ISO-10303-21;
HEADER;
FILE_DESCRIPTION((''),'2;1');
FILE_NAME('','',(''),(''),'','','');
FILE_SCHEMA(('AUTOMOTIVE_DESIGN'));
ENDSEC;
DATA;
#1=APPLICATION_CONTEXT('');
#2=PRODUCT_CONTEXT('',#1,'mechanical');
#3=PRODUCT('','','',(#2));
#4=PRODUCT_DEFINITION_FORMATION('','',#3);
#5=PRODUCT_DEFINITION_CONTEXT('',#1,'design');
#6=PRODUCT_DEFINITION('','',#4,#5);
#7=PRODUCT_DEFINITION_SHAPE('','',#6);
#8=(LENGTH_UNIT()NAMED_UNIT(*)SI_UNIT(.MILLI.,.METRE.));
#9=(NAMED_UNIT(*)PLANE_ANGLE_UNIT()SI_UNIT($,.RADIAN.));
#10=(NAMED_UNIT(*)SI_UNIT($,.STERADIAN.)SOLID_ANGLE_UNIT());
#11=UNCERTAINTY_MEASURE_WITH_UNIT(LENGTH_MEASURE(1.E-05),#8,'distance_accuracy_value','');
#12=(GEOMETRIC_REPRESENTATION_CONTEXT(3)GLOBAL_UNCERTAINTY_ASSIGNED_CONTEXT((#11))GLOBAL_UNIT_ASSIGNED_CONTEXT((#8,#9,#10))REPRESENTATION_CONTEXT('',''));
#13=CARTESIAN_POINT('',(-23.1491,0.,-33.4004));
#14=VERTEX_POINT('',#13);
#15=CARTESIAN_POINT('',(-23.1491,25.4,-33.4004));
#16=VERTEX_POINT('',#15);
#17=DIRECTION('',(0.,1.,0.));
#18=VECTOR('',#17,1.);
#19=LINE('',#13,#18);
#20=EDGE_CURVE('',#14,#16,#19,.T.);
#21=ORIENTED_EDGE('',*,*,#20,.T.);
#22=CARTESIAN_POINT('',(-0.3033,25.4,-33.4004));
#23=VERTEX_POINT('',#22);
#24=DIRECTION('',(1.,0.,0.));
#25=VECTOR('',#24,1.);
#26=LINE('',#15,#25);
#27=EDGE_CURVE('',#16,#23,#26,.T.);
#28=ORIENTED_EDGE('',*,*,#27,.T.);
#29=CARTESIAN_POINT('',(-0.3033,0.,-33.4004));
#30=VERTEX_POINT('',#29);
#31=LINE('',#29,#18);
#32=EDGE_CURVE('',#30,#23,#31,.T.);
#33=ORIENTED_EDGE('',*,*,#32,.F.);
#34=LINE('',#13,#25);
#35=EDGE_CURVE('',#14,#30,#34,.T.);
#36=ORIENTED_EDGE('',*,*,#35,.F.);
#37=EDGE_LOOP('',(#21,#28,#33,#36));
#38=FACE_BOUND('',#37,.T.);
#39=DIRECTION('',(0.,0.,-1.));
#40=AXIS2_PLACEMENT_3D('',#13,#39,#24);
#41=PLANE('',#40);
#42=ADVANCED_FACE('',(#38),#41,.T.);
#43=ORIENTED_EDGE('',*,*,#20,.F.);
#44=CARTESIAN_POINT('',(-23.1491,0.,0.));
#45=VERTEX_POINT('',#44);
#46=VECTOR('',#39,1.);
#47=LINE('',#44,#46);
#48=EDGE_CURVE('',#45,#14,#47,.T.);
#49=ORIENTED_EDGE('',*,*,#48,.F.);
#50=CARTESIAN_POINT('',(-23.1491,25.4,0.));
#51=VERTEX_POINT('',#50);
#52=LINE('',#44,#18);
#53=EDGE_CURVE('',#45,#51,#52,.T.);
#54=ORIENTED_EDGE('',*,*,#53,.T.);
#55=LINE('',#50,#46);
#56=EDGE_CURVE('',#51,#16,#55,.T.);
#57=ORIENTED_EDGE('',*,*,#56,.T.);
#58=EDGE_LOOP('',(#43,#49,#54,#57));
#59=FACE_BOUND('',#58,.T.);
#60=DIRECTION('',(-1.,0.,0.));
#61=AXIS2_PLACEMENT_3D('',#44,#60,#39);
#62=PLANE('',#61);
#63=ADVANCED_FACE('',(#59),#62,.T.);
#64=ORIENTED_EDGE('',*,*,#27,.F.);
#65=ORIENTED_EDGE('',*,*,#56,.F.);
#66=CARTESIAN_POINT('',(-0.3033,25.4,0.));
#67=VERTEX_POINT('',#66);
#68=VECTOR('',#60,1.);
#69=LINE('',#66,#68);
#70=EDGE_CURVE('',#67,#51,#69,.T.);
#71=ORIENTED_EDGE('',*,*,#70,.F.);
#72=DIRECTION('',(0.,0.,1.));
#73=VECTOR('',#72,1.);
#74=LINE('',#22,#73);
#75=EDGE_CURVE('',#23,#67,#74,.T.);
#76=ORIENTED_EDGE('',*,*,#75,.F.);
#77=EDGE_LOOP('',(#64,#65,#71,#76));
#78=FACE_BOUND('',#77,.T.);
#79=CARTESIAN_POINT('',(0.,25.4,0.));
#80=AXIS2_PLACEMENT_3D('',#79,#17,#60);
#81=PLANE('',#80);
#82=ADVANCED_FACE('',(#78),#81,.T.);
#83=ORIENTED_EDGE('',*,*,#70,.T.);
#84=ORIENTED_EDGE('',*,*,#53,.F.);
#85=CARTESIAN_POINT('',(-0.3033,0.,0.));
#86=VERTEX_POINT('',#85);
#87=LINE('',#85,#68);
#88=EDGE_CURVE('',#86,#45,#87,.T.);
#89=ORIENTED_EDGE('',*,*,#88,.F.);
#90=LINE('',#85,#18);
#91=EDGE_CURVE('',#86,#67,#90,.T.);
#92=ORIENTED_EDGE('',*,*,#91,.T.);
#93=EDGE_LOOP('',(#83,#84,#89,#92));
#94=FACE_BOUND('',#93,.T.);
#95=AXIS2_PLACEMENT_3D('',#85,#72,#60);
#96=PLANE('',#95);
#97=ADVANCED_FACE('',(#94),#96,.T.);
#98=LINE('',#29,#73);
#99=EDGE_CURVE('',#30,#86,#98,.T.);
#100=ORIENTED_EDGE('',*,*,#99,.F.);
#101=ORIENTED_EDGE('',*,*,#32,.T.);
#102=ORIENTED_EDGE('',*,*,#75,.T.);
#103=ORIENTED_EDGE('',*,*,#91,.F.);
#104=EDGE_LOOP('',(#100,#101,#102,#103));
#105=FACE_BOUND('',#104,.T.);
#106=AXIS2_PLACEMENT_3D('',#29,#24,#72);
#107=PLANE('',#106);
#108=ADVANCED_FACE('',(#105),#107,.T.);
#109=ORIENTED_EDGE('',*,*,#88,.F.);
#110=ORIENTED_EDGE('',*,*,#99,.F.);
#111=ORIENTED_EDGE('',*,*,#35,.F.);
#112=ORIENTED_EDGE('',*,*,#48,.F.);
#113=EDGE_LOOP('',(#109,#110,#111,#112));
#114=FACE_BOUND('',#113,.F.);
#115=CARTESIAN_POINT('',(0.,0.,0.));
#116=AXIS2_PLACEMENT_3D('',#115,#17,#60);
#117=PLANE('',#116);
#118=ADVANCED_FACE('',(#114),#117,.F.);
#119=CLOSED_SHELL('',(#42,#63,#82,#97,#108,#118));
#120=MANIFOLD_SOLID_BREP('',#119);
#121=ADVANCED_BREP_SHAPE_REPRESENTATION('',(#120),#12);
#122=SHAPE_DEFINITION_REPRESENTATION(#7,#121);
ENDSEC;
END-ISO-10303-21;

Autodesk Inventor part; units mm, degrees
ref_plane "YZ Plane" through (0, 0, 0) normal (1, 0, 0) x (0, 1, 0)
ref_plane "XZ Plane" through (0, 0, 0) normal (0, 1, 0) x (-1, 0, 0)
ref_plane "XY Plane" through (0, 0, 0) normal (0, 0, 1) x (1, 0, 0)
sketch "Sketch1" plane through (0, 0, 0) normal (0, 1, 0) x (-1, 0, 0)
  line L0 (0.3033, 0) -> (23.1491, 0)
  line L1 (23.1491, 0) -> (23.1491, -33.4004)
  line L2 (23.1491, -33.4004) -> (0.3033, -33.4004)
  line L3 (0.3033, -33.4004) -> (0.3033, 0)
  point P0 (0, 0)
extrude "Extrusion1" add sketch "Sketch1" along normal blind 25.4
properties part number "Inventor2020test"
